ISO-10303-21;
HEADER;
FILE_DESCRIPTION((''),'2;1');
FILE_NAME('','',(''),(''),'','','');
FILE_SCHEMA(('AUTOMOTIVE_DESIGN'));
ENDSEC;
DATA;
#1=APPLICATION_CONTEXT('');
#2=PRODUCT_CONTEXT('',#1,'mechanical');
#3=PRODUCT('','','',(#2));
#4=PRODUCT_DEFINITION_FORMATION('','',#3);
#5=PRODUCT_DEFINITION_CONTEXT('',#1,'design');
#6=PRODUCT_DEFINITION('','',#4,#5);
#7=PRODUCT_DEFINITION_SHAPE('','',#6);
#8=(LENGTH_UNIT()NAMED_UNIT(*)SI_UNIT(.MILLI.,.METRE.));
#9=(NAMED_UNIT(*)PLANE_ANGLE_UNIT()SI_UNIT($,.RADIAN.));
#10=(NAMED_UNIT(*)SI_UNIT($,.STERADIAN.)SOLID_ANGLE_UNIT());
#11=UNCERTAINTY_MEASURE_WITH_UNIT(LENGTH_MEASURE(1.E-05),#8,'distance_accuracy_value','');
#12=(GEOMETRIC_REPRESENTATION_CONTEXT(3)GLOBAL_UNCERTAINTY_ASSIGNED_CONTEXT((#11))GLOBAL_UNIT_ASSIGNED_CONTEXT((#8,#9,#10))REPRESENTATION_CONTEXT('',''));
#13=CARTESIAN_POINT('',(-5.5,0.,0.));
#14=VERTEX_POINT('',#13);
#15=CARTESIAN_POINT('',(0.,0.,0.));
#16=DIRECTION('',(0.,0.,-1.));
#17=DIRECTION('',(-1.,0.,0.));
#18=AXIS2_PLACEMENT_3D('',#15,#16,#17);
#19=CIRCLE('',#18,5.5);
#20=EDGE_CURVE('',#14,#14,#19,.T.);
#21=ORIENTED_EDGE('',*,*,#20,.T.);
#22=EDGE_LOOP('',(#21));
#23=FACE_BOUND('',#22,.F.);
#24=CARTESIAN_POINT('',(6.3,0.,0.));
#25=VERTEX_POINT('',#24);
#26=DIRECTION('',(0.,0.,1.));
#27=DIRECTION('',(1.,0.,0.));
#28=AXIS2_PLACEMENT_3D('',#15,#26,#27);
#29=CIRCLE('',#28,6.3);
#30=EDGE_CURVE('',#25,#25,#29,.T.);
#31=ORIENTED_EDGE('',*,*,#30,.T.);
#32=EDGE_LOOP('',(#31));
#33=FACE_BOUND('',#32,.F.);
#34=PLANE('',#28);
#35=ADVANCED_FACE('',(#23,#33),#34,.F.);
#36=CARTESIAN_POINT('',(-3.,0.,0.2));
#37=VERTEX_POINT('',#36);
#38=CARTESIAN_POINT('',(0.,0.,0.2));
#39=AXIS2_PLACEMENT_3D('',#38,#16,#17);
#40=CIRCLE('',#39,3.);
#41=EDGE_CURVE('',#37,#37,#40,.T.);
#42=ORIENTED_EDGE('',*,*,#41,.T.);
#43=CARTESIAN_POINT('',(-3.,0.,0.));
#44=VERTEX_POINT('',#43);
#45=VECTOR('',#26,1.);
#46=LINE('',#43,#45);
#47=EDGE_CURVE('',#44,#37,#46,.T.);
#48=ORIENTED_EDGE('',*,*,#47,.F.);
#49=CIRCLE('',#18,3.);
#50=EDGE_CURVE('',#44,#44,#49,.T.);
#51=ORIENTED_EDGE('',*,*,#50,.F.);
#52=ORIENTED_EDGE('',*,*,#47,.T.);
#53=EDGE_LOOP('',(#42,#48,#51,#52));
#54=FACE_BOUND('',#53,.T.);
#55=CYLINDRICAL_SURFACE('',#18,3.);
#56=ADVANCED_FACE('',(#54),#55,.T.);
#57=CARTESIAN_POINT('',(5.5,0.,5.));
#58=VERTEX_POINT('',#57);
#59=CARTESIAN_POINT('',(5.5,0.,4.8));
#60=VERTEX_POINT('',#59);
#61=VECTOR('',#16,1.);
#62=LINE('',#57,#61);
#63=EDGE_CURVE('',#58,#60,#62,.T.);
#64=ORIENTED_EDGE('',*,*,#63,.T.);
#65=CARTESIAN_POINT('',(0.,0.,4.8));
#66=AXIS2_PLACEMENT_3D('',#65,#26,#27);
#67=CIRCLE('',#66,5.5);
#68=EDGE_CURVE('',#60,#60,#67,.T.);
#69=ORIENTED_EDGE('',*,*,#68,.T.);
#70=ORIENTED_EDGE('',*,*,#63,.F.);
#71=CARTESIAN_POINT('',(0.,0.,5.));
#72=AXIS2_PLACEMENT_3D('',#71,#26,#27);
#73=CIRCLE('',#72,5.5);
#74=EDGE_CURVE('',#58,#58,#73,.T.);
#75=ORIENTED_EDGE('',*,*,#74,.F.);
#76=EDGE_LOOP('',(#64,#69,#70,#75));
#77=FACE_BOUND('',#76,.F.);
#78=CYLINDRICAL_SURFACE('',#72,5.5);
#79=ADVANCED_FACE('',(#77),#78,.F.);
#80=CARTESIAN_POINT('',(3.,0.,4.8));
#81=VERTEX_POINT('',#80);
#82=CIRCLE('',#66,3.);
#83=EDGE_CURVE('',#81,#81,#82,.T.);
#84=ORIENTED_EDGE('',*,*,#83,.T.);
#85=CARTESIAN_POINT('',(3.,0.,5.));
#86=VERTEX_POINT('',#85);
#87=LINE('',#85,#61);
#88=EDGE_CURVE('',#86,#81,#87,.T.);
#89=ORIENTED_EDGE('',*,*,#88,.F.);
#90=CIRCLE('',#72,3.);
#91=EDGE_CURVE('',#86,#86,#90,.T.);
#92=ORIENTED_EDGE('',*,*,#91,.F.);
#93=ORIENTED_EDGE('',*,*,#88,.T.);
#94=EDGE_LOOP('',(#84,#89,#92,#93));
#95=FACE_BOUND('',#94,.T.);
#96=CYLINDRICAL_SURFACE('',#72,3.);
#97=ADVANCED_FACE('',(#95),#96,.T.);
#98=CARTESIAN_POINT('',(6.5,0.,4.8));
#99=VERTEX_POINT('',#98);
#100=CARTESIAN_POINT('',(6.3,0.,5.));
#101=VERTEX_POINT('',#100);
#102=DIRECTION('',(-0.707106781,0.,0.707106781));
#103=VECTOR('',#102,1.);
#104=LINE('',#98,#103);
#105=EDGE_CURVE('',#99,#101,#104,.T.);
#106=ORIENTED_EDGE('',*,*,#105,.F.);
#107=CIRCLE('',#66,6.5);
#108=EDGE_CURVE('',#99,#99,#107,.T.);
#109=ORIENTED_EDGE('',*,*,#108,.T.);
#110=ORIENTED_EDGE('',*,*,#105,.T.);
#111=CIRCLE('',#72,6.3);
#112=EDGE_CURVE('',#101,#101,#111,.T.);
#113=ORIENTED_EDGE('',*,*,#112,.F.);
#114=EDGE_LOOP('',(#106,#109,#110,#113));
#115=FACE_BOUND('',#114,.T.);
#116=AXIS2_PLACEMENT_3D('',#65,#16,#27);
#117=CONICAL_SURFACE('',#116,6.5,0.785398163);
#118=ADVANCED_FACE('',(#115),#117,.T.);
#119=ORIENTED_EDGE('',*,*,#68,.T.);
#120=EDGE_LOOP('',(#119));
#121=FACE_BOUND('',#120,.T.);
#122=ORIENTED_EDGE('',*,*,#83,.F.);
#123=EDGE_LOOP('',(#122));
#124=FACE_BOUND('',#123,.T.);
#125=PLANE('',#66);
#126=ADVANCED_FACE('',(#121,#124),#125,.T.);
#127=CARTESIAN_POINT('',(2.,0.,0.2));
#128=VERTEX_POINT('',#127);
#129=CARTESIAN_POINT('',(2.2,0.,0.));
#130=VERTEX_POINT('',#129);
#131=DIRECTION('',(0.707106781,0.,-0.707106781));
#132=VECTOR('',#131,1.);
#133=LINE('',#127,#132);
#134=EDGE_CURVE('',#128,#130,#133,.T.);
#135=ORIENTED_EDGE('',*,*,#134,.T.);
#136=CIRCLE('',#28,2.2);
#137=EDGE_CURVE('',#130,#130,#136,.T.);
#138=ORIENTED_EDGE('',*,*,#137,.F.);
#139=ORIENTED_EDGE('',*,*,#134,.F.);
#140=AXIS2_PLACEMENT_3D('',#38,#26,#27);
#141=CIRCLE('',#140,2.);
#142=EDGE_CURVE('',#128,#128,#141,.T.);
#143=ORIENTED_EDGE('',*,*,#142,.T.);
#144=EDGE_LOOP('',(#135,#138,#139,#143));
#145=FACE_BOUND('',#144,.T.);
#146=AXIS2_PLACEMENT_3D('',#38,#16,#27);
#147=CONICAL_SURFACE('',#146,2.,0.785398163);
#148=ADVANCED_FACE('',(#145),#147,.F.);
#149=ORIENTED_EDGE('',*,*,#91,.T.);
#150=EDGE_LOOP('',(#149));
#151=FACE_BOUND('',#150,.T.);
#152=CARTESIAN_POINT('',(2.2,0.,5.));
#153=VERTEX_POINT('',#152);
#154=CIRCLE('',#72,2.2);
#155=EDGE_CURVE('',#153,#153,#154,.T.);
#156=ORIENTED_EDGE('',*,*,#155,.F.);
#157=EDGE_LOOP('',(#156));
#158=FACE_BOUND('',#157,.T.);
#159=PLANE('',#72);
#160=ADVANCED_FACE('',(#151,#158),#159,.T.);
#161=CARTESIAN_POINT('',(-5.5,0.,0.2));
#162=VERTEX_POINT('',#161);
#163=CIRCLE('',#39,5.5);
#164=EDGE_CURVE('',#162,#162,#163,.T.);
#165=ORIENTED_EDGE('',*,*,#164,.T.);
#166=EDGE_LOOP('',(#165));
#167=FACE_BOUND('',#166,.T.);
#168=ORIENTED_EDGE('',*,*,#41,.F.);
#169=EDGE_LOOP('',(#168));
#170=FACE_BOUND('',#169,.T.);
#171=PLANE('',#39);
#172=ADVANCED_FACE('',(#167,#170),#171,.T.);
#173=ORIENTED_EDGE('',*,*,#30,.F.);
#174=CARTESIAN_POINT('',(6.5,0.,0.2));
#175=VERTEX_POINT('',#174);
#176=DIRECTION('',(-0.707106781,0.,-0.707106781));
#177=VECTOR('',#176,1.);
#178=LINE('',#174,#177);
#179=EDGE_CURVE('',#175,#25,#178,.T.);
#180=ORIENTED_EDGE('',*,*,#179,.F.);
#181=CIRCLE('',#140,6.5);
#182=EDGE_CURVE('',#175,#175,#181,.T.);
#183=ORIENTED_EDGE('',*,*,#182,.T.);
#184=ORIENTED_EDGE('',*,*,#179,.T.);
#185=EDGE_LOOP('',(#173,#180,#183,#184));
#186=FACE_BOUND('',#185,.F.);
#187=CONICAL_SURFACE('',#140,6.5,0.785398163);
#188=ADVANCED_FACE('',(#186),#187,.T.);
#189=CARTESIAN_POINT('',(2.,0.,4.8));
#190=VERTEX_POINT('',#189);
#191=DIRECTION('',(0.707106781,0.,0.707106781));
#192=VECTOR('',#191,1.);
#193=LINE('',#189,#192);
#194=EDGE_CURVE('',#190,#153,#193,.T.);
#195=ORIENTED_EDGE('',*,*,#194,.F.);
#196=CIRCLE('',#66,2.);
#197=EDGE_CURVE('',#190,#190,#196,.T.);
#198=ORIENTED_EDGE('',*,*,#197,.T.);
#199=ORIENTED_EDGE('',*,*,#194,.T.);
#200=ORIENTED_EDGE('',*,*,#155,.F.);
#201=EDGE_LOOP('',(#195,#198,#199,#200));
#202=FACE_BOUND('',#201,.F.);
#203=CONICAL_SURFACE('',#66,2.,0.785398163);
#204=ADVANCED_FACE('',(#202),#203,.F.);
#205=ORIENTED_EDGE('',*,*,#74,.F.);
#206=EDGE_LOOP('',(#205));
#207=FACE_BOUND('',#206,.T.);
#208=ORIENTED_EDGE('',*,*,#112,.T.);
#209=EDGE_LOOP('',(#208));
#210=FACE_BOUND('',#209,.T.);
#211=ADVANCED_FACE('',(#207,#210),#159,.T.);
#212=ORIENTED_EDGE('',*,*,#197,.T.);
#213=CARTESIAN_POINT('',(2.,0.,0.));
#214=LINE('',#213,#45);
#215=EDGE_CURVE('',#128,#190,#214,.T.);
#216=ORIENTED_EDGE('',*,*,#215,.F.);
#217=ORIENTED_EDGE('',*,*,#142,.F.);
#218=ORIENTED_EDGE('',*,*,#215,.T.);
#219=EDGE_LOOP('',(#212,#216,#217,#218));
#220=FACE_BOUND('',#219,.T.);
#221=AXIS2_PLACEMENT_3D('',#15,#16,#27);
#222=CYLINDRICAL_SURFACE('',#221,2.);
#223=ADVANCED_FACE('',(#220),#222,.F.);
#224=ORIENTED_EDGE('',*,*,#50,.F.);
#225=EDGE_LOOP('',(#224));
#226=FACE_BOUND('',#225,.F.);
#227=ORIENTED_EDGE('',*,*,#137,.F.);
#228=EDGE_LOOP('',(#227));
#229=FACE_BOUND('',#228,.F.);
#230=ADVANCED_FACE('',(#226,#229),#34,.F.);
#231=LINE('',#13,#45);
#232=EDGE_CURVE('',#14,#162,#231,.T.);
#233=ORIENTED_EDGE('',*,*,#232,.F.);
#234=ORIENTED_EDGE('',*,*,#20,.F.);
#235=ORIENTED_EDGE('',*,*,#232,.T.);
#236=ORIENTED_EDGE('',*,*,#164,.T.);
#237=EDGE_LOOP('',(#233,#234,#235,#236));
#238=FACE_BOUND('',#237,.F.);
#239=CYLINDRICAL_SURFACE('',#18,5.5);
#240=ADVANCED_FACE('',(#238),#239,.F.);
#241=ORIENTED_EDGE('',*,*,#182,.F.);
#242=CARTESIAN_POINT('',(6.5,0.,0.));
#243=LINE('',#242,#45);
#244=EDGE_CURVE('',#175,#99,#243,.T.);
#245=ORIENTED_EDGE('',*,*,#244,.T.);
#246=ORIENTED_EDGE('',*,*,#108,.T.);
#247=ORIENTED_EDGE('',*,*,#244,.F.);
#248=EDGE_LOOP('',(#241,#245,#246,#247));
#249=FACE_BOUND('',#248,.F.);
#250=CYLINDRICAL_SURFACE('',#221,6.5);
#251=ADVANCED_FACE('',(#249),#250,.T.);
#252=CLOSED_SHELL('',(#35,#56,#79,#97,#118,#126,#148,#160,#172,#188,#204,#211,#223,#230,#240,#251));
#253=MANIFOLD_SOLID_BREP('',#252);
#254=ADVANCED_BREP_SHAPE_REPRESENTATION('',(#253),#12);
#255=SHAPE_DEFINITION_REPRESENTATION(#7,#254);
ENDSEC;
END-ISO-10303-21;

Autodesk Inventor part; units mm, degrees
ref_plane "YZ Plane" through (0, 0, 0) normal (1, 0, 0) x (0, 1, 0)
ref_plane "XZ Plane" through (0, 0, 0) normal (0, 1, 0) x (-1, 0, 0)
ref_plane "XY Plane" through (0, 0, 0) normal (0, 0, 1) x (1, 0, 0)
sketch "Szkic1" plane through (0, 0, 0) normal (0, 0, 1) x (1, 0, 0)
  circle A0 centre (0, 0) radius 6.5
  circle A1 centre (0, 0) radius 2
  dimension "d0" = 13
  dimension "d1" = 4
extrude "Wyciągnięcie proste1" add sketch "Szkic1" along normal blind 5
chamfer "Faza1" distance 0.2 angle 45 4 edges at (-2, 0, 5) (-6.5, 0, 5) (-6.5, 0, 0) (-2, 0, 0)
sketch "Szkic2" plane through (0, 0, 5) normal (0, 0, 1) x (1, 0, 0)
  circle A0 centre (0, 0) radius 6.5 projected
  circle A1 centre (0, 0) radius 2 projected
  circle A2 centre (0, 0) radius 5.5
  circle A3 centre (0, 0) radius 3
  dimension "d7" = 1
  dimension "d8" = 1
extrude "Wyciągnięcie proste2" cut sketch "Szkic2" against normal blind 0.2 contours A2
sketch "Szkic3" plane through (0, 0, 0) normal (0, 0, -1) x (-1, 0, 0)
  circle A0 centre (0, 0) radius 5.5 projected
  circle A1 centre (0, 0) radius 6.3 projected
  circle A2 centre (0, 0) radius 2.2 projected
  circle A3 centre (0, 0) radius 3 projected
extrude "Wyciągnięcie proste3" cut sketch "Szkic3" against normal blind 0.2 contours A0
properties part number "COTS_GENERIC_Bearing_13x4x5"
